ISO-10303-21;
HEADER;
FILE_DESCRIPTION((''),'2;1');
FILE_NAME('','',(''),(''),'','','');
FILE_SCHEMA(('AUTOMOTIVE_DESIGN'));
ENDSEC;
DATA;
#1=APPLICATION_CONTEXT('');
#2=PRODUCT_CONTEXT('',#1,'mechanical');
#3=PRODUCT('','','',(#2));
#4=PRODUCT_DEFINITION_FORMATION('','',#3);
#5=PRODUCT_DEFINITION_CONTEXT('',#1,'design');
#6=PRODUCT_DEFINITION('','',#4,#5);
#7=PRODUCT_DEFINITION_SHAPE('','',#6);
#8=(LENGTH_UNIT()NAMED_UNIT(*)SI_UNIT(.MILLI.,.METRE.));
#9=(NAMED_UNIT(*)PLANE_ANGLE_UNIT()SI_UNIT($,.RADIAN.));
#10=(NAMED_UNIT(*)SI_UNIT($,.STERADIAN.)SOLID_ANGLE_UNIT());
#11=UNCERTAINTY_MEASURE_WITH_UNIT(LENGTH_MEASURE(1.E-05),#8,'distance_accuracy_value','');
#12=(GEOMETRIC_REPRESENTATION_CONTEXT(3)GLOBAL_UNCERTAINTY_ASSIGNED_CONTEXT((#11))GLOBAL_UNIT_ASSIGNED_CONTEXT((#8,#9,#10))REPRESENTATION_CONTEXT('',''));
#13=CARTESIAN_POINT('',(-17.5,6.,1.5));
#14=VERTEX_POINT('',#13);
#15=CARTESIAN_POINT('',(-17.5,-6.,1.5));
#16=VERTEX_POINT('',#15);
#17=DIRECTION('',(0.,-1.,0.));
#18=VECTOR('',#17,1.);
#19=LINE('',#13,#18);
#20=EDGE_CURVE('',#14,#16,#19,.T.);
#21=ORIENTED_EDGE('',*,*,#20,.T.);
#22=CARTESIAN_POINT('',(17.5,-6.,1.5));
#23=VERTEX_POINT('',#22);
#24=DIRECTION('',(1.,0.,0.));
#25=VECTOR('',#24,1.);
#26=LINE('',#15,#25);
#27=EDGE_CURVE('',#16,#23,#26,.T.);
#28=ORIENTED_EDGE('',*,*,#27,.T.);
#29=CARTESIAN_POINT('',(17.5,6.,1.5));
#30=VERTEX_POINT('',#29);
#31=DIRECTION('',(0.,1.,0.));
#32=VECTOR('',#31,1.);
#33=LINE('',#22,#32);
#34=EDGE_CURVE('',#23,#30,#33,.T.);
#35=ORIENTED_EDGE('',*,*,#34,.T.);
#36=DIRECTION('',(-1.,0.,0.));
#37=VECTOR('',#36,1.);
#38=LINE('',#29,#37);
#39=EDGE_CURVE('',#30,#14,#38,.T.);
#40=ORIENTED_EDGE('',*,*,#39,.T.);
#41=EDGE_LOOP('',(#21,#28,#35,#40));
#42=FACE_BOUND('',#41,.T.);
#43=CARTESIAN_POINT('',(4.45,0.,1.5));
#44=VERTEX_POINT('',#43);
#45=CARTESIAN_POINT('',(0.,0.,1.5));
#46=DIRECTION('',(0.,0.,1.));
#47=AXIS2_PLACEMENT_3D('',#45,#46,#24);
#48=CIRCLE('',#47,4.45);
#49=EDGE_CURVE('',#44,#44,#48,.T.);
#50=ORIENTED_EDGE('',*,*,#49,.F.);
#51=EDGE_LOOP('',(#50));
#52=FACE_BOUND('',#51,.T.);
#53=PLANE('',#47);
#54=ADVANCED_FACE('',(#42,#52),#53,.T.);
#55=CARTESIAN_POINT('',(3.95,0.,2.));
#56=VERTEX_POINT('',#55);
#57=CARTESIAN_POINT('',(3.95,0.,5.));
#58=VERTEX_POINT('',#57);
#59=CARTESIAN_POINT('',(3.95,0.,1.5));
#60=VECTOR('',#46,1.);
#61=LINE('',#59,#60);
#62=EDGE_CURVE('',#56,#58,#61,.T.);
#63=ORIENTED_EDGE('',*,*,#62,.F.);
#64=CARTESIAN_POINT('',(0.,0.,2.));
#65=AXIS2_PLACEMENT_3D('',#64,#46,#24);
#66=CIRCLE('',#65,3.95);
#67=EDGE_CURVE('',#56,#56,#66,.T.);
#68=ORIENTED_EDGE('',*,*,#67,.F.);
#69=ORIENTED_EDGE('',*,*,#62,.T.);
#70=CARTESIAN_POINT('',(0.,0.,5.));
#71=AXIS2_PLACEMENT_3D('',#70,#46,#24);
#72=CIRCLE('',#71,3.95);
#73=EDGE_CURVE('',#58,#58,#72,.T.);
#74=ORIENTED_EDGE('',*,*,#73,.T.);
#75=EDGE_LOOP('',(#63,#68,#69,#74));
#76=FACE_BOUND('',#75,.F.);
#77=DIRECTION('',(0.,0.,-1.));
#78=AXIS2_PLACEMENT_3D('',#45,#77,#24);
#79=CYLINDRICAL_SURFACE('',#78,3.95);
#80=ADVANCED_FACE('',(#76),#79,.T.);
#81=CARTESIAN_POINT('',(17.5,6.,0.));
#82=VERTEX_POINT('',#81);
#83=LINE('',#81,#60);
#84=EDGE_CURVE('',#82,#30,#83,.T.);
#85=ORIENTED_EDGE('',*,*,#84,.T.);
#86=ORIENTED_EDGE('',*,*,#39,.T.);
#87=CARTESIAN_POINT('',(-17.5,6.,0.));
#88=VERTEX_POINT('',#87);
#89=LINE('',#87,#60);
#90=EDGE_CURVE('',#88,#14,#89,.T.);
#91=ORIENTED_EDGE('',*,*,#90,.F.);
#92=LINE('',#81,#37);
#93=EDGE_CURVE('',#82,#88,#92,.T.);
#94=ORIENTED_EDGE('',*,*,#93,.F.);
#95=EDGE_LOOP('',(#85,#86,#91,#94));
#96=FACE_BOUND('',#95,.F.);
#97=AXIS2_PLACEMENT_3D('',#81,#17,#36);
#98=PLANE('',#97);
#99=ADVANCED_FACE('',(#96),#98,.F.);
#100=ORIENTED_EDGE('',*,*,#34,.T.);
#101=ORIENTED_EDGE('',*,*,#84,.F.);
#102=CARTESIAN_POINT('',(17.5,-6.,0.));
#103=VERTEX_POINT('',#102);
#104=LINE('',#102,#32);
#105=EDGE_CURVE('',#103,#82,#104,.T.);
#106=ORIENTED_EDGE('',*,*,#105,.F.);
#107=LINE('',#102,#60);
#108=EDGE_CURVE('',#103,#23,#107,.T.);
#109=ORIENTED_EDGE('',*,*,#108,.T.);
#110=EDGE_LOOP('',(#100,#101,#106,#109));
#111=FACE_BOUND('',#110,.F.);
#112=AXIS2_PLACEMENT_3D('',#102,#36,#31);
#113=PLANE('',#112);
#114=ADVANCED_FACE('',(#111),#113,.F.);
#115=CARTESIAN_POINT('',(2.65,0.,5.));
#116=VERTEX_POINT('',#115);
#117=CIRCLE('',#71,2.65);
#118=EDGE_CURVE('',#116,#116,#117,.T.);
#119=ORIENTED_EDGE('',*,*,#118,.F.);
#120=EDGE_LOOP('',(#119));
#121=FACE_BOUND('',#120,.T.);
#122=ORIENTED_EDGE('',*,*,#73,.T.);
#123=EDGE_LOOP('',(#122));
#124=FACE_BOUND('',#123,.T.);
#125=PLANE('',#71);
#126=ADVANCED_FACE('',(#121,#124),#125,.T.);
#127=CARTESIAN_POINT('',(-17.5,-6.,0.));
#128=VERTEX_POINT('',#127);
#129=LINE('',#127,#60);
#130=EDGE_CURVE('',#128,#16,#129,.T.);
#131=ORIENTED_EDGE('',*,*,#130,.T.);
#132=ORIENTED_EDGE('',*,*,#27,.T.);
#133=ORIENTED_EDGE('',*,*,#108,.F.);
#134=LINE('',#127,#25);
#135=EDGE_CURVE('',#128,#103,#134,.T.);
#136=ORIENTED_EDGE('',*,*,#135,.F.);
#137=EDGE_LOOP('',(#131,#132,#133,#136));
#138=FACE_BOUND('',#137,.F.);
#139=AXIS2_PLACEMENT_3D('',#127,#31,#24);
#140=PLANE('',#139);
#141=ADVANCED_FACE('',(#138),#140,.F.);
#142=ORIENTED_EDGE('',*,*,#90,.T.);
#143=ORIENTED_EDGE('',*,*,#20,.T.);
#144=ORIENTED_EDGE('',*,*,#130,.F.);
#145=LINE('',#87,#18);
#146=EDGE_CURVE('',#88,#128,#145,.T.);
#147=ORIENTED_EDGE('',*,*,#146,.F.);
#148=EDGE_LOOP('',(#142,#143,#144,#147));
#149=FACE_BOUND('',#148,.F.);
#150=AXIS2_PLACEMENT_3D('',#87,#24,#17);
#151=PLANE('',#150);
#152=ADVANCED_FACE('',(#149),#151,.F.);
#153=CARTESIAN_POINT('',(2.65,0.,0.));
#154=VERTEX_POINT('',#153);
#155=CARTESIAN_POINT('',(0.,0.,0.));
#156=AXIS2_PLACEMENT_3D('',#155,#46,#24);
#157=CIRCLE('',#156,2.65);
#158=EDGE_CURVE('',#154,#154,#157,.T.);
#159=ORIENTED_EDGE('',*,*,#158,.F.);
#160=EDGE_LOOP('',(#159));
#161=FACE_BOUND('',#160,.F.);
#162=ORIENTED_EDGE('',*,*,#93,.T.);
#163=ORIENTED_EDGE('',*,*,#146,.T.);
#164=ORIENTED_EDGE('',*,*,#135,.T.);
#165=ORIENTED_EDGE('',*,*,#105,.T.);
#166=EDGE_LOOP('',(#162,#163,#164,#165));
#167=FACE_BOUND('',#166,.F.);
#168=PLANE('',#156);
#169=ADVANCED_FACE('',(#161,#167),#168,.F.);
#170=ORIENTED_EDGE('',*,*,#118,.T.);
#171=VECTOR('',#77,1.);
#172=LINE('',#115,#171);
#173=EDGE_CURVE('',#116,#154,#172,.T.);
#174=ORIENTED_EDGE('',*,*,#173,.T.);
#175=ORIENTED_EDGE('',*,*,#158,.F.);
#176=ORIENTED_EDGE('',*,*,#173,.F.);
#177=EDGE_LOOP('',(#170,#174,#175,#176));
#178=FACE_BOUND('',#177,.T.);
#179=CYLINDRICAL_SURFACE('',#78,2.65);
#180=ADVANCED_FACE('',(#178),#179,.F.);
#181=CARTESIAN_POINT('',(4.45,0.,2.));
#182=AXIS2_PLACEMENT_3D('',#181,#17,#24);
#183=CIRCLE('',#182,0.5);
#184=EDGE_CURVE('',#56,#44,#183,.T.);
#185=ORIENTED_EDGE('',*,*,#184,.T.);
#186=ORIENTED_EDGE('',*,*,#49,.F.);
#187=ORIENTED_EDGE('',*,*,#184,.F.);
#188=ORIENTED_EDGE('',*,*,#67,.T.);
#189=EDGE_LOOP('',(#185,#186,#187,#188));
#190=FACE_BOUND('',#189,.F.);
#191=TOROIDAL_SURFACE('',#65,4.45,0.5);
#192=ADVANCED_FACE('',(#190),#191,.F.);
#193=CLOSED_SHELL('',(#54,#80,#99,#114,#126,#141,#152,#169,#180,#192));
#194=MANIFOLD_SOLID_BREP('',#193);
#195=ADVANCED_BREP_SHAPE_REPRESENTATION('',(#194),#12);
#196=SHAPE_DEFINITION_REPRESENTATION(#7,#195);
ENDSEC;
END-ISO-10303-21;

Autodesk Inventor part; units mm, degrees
ref_plane "YZ Plane" through (0, 0, 0) normal (1, 0, 0) x (0, 1, 0)
ref_plane "XZ Plane" through (0, 0, 0) normal (0, 1, 0) x (-1, 0, 0)
ref_plane "XY Plane" through (0, 0, 0) normal (0, 0, 1) x (1, 0, 0)
sketch "Skizze1" plane through (0, 0, 0) normal (0, 0, 1) x (1, 0, 0)
  line L0 (-17.5, -6) -> (17.5, -6)
  line L1 (17.5, -6) -> (17.5, 6)
  line L2 (17.5, 6) -> (-17.5, 6)
  line L3 (-17.5, 6) -> (-17.5, -6)
  line L4 (-17.5, -6) -> (17.5, 6) construction
  line L5 (17.5, -6) -> (-17.5, 6) construction
  point P0 (0, 0)
  dimension "d0" = 35
  dimension "d1" = 12
extrude "Extrusion1" add sketch "Skizze1" along normal blind 1.5
sketch "Skizze2" plane through (0, 0, 1.5) normal (0, 0, 1) x (1, 0, 0)
  circle A0 centre (0, 0) radius 2.65
  dimension "d4" = 5.3
extrude "Extrusion2" cut sketch "Skizze2" against normal blind 1.5
sketch "Skizze3" plane through (0, 0, 1.5) normal (0, 0, 1) x (1, 0, 0)
  circle A0 centre (0, 0) radius 3.95
  circle A1 centre (0, 0) radius 2.65 projected
  dimension "d7" = 7.9
extrude "Extrusion3" add sketch "Skizze3" along normal blind 3.5
fillet "Rundung1" radius 0.5 1 edges at (-3.95, 0, 1.5)
equation "\"G_L\" = 0"
equation "\"G_H\" = 0"
equation "\"G_B\" = 0"
properties part number "propstop" material "GEDA Stahl"
